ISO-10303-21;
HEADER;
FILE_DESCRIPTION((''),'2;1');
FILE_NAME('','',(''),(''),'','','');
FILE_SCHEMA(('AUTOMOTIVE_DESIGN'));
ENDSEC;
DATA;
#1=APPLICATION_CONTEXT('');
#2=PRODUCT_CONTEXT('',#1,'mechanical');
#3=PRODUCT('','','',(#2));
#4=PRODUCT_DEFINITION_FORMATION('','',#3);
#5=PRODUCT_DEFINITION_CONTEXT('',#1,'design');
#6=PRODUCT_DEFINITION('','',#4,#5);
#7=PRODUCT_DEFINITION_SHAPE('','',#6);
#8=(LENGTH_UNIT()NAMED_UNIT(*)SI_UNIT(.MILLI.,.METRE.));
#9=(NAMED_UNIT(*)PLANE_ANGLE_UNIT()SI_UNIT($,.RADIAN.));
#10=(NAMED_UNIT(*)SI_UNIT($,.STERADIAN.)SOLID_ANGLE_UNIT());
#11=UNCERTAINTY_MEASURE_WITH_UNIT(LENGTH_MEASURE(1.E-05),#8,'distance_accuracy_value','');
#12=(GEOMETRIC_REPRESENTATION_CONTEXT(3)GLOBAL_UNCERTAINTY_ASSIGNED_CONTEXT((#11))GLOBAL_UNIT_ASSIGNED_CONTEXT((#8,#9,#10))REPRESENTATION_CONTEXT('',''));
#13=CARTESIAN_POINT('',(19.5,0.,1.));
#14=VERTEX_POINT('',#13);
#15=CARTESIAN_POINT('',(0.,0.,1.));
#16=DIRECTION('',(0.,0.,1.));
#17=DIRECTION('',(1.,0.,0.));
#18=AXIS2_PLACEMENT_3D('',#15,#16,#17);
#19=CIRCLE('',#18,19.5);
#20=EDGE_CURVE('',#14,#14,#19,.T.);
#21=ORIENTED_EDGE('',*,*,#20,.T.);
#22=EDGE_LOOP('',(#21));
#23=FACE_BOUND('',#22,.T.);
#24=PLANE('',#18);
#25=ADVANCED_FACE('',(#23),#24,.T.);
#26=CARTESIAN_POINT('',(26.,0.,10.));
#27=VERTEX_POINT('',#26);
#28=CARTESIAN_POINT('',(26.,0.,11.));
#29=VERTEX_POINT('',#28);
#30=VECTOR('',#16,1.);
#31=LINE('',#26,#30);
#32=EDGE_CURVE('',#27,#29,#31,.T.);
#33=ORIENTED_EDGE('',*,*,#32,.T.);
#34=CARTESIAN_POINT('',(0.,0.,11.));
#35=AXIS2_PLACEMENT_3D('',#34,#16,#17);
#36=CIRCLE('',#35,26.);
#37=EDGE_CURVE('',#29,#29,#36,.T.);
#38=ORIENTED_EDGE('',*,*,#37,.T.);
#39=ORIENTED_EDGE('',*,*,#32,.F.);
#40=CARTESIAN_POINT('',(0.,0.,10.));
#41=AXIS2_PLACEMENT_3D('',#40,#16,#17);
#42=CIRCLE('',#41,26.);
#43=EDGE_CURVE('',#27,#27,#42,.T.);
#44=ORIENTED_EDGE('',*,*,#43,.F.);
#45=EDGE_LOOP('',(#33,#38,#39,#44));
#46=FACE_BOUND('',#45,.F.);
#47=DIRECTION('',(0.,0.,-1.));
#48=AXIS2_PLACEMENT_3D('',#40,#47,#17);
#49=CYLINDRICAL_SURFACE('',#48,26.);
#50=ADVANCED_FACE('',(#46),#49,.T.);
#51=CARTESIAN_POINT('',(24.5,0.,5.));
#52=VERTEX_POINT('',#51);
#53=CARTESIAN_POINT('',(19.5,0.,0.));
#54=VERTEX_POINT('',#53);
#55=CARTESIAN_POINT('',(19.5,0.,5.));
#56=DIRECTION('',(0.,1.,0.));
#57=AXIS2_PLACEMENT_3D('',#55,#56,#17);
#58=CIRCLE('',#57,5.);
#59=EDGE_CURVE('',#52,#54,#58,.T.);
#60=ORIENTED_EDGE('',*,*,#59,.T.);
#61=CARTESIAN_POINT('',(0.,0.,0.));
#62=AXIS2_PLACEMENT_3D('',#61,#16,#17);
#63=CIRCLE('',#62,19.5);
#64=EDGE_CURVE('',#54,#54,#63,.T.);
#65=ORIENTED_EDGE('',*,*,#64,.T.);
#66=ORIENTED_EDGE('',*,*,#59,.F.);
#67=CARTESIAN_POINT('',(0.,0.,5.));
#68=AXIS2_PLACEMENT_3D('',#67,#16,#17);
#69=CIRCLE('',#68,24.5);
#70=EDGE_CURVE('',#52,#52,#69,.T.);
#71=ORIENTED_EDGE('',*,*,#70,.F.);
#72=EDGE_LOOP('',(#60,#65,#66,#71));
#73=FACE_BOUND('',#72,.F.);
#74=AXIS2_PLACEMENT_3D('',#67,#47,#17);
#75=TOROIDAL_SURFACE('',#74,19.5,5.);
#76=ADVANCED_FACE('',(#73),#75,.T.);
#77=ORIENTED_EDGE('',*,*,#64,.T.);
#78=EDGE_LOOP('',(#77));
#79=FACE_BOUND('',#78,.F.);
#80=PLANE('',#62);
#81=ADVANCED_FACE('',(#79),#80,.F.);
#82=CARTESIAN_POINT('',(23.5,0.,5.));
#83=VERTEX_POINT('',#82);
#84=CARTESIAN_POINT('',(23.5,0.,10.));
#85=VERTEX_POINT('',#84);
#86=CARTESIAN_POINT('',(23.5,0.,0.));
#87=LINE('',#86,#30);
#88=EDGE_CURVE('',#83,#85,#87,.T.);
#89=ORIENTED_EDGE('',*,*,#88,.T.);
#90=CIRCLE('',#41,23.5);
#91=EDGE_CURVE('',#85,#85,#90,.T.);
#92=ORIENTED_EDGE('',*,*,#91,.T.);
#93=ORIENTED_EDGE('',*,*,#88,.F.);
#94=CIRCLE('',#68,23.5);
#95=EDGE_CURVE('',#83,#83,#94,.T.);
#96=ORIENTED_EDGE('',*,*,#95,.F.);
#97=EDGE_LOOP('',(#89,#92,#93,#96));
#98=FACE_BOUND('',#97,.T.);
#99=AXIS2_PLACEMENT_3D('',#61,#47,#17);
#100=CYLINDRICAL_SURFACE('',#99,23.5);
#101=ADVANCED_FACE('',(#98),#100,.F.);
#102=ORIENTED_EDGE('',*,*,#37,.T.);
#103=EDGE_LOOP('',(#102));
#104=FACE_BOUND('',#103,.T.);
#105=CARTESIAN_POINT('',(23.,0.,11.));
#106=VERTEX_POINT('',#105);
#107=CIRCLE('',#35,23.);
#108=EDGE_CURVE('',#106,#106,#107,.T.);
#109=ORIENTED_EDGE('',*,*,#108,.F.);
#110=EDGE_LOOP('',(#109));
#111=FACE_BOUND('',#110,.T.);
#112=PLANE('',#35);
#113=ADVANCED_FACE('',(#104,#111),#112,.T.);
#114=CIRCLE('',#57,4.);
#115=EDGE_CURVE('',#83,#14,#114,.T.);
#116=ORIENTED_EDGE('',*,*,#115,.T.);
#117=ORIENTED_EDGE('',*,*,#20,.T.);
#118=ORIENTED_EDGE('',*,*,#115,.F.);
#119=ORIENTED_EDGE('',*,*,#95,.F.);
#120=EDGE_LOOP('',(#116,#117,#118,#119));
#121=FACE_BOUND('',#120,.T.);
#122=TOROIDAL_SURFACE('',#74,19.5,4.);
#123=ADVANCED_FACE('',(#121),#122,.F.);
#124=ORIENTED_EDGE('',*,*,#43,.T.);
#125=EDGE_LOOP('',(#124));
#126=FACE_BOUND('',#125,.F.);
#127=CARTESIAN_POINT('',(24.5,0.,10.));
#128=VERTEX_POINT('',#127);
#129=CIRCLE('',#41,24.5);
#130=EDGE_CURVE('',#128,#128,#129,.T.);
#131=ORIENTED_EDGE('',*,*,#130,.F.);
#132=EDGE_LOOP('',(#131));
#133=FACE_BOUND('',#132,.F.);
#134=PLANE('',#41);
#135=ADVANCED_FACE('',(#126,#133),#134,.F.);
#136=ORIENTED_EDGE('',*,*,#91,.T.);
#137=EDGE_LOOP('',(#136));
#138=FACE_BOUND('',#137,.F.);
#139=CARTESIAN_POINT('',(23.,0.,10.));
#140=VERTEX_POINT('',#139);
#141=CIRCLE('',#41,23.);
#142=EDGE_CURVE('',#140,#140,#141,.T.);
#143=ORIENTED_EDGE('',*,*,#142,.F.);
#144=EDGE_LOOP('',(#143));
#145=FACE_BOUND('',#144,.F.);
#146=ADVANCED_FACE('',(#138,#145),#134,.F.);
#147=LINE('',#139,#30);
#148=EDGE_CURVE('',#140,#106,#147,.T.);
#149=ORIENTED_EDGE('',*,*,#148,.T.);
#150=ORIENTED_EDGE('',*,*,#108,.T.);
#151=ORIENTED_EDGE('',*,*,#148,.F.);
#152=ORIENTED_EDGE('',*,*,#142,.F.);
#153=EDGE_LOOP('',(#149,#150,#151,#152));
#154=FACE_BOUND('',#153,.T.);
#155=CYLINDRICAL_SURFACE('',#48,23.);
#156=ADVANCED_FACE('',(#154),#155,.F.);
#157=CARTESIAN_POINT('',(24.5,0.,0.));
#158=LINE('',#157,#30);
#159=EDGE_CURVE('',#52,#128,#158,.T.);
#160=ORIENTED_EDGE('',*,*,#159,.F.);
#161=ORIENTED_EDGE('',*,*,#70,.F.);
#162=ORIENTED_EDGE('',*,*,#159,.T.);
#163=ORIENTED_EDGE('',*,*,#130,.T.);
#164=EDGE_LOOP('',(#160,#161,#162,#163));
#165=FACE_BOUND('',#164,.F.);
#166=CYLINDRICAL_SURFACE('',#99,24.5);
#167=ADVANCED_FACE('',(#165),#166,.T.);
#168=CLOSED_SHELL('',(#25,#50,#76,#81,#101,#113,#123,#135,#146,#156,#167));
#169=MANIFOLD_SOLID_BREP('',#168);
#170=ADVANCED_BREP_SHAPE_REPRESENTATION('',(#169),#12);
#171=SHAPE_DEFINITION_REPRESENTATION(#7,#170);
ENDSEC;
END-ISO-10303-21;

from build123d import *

# Parameters (mm, degrees)
SKETCH_R      = 24.5
PAD_DEPTH     = 10
FILLET_R      = 5
THICKNESS_T   = -1
SKETCH001_R   = 26
SKETCH001_R_2 = 23
PAD001_DEPTH  = 1


with BuildPart() as part:
    # Sketch → Pad (new body)
    with BuildSketch(Plane.XY):
        Circle(SKETCH_R)
    extrude(amount=PAD_DEPTH)

    # Fillet
    fillet_edges = [part.edges().sort_by_distance(p)[0] for p in [
        (-24.5, 0, 0),
    ]]
    fillet(fillet_edges, radius=FILLET_R)

    # Thickness
    thickness_openings = [part.faces().sort_by_distance(p)[0] for p in [
        (0, 0, 10),
    ]]
    offset(amount=THICKNESS_T, openings=thickness_openings)

    # Sketch001 → Pad001 (new body)
    with BuildSketch(Plane.XY.offset(10)):
        Circle(SKETCH001_R)
        Circle(SKETCH001_R_2, mode=Mode.SUBTRACT)
    extrude(amount=PAD001_DEPTH)


solid = part.part
